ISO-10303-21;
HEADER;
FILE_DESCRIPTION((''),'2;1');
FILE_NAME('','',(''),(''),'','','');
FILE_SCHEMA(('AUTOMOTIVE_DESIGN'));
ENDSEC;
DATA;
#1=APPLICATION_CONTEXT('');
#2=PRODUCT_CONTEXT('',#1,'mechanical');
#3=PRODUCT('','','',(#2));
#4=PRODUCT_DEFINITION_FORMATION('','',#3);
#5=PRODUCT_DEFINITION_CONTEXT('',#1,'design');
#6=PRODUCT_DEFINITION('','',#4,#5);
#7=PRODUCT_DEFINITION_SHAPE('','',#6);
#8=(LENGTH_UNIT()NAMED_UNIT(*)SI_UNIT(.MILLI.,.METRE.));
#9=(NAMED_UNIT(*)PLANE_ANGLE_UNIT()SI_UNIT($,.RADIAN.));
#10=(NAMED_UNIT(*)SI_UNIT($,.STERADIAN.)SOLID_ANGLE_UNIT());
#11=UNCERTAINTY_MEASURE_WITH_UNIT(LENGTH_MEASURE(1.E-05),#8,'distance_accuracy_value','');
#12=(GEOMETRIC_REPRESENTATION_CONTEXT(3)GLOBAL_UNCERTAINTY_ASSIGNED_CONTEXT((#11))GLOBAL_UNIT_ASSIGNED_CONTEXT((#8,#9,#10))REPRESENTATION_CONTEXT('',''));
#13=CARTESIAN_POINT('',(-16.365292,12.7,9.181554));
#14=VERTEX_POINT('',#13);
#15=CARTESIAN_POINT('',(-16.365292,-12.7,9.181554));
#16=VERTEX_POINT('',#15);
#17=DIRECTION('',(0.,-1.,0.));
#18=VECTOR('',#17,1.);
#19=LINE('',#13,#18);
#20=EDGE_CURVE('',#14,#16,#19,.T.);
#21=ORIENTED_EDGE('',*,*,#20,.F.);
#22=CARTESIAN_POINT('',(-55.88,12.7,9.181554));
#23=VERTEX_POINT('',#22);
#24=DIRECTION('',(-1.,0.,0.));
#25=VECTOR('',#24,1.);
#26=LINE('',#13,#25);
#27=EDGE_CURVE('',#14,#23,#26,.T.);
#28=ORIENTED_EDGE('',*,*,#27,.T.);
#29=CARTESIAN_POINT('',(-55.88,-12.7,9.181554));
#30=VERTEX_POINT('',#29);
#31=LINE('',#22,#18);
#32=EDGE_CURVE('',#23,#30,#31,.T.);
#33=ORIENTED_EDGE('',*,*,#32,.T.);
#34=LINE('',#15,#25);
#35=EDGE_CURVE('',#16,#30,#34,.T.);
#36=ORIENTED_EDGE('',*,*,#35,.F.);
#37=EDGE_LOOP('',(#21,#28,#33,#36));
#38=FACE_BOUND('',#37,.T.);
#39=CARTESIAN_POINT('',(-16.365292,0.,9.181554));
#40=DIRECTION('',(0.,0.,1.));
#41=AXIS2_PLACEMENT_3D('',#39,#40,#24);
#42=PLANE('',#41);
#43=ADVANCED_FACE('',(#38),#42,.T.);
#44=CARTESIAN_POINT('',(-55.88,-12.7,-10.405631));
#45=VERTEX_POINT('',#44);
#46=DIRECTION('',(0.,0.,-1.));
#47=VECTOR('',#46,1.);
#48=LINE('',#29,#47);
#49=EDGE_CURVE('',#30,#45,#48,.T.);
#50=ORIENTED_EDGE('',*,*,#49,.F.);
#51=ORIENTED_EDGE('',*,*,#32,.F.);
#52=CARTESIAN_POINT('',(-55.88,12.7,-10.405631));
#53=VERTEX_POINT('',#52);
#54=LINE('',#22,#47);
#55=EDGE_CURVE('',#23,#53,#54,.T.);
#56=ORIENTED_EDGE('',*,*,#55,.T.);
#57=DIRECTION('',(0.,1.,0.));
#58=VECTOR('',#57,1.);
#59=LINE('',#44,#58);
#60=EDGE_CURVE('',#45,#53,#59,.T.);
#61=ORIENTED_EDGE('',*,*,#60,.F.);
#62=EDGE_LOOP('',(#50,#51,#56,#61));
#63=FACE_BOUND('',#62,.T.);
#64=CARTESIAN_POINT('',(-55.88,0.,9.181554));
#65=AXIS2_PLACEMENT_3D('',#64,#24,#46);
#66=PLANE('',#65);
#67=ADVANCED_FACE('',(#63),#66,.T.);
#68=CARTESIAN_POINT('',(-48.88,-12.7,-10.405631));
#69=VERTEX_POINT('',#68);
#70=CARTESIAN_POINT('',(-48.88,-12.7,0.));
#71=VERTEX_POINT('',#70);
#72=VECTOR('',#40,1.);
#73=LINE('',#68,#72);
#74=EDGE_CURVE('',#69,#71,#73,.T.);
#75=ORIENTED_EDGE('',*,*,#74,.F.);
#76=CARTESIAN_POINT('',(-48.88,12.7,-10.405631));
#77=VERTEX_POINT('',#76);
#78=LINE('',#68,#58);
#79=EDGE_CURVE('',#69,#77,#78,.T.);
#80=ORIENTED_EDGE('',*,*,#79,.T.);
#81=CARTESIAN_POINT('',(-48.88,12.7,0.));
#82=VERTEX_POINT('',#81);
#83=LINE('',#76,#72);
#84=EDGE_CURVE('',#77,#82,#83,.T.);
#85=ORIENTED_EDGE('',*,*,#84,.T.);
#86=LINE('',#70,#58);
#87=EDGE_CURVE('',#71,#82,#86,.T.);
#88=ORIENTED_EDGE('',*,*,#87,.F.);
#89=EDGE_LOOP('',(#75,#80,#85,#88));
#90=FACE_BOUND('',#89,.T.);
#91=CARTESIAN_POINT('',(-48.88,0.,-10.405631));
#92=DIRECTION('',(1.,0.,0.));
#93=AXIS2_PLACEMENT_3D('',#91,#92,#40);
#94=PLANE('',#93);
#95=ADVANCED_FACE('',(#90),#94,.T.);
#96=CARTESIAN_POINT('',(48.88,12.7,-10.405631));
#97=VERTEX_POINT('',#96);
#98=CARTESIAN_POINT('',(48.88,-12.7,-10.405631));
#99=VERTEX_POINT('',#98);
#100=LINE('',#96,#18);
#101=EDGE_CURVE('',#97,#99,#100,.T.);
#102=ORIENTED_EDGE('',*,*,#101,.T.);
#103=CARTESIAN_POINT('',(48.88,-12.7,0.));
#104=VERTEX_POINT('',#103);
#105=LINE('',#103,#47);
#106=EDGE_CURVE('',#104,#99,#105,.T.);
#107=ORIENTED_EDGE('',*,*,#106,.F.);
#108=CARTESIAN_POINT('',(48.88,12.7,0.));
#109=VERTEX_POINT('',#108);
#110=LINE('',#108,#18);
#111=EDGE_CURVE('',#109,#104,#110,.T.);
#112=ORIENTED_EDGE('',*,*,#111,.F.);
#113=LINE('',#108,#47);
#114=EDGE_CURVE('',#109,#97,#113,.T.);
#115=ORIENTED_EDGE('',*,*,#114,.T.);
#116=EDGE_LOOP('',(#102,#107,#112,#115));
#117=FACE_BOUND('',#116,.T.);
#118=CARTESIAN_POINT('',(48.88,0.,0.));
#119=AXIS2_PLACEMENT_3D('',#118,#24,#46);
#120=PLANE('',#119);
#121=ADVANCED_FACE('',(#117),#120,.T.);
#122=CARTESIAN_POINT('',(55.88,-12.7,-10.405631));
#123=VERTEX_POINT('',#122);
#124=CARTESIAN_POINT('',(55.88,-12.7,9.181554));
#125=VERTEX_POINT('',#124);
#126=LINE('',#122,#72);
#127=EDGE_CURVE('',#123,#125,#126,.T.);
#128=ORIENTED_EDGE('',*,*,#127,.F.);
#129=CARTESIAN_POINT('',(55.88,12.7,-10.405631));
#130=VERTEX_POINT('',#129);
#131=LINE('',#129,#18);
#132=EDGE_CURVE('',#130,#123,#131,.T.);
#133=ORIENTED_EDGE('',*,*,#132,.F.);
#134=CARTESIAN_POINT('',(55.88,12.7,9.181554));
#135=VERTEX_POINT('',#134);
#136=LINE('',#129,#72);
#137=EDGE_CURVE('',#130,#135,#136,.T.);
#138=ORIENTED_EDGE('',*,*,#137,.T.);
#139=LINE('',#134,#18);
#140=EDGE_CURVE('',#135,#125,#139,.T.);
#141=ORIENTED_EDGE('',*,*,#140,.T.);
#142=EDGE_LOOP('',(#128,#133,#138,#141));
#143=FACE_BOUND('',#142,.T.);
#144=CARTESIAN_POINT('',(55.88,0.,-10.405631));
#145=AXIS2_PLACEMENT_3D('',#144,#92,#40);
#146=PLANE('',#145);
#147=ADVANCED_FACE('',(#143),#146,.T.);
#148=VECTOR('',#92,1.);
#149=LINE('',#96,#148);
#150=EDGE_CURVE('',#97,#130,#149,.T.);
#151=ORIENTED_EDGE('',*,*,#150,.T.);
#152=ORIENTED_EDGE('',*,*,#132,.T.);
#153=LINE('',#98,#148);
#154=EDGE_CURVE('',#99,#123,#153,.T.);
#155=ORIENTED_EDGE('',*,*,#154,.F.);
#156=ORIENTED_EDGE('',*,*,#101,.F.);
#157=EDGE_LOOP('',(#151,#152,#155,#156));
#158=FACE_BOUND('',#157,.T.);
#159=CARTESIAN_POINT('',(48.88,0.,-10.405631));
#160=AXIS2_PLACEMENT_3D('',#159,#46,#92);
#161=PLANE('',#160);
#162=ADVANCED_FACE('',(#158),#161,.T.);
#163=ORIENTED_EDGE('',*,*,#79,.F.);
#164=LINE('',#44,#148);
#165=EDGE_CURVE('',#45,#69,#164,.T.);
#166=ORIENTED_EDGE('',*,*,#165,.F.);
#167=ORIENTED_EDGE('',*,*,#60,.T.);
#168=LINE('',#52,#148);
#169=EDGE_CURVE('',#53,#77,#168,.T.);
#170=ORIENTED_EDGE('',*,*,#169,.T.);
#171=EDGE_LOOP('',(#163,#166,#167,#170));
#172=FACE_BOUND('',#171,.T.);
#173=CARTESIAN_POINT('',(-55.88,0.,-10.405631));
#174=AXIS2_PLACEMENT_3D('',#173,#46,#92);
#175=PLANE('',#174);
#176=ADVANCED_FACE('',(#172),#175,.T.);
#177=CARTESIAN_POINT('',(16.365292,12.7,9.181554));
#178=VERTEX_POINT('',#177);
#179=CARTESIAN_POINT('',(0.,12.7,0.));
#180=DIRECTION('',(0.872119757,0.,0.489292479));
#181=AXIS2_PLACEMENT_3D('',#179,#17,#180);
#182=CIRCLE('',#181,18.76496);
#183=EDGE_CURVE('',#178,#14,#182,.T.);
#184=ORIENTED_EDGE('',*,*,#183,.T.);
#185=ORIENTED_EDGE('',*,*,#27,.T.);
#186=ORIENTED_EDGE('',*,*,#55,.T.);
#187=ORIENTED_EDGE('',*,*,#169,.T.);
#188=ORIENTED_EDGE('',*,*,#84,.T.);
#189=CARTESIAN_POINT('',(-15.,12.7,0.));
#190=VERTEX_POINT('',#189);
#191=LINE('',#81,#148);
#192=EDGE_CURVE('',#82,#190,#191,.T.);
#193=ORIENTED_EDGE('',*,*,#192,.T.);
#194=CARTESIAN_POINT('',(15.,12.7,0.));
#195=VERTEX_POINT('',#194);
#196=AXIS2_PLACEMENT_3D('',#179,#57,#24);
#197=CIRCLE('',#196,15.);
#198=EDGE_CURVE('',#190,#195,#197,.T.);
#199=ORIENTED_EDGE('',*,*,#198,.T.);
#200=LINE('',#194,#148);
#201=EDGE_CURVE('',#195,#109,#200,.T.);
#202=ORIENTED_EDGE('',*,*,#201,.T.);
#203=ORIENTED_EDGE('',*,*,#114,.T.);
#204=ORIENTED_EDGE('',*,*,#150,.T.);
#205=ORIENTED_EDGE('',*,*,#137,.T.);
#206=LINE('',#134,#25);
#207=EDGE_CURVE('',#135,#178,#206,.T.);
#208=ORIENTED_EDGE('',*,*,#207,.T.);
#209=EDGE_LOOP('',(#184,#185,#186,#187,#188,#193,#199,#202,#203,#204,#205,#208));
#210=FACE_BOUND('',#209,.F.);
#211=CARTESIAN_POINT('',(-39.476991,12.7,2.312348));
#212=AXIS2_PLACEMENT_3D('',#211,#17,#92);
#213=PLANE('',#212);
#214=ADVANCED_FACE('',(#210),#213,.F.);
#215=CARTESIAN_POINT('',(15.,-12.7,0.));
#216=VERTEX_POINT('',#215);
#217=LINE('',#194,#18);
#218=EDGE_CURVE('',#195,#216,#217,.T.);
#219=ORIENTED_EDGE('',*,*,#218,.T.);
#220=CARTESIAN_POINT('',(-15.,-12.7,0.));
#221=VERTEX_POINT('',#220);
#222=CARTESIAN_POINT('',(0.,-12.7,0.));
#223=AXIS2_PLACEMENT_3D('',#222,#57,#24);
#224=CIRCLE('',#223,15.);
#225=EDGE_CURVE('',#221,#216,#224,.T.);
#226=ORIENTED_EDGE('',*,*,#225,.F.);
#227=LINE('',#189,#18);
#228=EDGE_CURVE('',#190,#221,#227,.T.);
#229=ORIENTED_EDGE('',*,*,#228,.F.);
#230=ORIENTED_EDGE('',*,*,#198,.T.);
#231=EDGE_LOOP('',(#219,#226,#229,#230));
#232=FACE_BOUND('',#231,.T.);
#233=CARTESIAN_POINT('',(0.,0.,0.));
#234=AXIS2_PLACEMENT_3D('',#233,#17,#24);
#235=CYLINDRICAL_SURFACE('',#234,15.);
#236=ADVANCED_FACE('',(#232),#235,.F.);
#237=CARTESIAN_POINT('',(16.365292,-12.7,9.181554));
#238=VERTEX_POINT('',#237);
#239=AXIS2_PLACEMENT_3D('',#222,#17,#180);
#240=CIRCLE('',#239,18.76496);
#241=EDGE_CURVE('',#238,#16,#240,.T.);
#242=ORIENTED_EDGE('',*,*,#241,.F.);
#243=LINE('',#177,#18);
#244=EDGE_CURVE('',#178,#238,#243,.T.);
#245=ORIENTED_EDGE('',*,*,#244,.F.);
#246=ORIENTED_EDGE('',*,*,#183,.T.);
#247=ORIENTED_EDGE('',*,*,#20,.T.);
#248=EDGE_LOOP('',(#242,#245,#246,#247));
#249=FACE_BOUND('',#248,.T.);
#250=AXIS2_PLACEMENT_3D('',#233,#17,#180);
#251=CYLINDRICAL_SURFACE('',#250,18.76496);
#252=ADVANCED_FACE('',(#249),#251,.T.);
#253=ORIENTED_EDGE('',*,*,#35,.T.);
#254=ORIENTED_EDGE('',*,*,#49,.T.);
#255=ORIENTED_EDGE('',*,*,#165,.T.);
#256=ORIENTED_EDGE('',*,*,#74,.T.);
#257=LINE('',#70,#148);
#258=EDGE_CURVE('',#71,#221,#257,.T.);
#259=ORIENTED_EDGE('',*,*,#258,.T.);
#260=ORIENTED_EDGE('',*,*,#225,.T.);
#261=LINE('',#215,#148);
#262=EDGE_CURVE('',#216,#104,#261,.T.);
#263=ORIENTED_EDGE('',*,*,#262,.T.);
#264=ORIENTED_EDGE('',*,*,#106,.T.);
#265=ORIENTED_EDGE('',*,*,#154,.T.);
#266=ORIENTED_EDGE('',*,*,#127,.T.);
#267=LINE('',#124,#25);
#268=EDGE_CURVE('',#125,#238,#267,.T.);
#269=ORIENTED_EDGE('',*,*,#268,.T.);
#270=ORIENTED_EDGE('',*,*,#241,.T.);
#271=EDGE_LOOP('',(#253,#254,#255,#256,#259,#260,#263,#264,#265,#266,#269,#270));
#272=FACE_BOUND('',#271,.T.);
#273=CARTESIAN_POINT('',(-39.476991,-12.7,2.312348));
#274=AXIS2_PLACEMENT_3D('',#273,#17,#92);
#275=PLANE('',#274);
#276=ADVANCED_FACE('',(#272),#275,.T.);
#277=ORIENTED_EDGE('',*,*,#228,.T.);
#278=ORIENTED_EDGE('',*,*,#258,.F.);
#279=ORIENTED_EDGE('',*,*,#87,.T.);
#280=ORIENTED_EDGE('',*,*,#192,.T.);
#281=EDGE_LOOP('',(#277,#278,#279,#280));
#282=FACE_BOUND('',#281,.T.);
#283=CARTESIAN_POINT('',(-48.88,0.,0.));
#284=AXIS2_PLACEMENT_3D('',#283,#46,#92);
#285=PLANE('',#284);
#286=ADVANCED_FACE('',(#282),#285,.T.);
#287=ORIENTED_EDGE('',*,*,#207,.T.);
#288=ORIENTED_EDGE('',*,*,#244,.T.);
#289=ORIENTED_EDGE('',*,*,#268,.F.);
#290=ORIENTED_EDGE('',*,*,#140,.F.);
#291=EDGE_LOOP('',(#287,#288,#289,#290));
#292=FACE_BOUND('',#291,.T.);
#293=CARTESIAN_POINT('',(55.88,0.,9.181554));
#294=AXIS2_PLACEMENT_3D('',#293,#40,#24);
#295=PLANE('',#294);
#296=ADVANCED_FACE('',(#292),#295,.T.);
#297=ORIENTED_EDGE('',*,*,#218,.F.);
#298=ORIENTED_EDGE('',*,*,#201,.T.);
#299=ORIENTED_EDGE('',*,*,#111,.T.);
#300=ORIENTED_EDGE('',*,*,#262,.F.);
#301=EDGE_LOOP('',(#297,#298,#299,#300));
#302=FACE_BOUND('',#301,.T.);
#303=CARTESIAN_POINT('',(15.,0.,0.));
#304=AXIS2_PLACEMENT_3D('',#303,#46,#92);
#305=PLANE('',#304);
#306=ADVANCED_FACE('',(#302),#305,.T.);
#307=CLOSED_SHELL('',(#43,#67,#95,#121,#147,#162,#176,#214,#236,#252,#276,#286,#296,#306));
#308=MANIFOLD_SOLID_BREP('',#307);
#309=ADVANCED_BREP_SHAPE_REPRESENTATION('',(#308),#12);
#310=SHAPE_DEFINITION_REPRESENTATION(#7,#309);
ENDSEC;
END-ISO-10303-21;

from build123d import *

# Parameters (mm, degrees)
F1_DEPTH = 12.7


with BuildPart() as f1:
    # F0 (on Front) → F1 (new body, symmetric)
    with BuildSketch(Plane.XZ):
        with BuildLine():
            Line((-48.88, 0), (-18.76496, 0))
            ThreePointArc((-18.76496, 0), (-18.155134, 4.74498), (-16.365292, 9.181554))
            Line((-16.365292, 9.181554), (-55.88, 9.181554))
            Line((-55.88, 9.181554), (-55.88, -10.405631))
            Line((-55.88, -10.405631), (-48.88, -10.405631))
            Line((-48.88, -10.405631), (-48.88, 0))
        make_face()
        with BuildLine():
            ThreePointArc((-15, 0), (0, 15), (15, 0))
            Line((15, 0), (18.76496, 0))
            ThreePointArc((18.76496, 0), (18.155134, 4.74498), (16.365292, 9.181554))
            ThreePointArc((16.365292, 9.181554), (0, 18.76496), (-16.365292, 9.181554))
            ThreePointArc((-16.365292, 9.181554), (-18.155134, 4.74498), (-18.76496, 0))
            Line((-18.76496, 0), (-15, 0))
        make_face()
        with BuildLine():
            ThreePointArc((16.365292, 9.181554), (18.155134, 4.74498), (18.76496, 0))
            Line((18.76496, 0), (48.88, 0))
            Line((48.88, 0), (48.88, -10.405631))
            Line((48.88, -10.405631), (55.88, -10.405631))
            Line((55.88, -10.405631), (55.88, 9.181554))
            Line((55.88, 9.181554), (16.365292, 9.181554))
        make_face()
    extrude(amount=F1_DEPTH, both=True)


solid = f1.part
